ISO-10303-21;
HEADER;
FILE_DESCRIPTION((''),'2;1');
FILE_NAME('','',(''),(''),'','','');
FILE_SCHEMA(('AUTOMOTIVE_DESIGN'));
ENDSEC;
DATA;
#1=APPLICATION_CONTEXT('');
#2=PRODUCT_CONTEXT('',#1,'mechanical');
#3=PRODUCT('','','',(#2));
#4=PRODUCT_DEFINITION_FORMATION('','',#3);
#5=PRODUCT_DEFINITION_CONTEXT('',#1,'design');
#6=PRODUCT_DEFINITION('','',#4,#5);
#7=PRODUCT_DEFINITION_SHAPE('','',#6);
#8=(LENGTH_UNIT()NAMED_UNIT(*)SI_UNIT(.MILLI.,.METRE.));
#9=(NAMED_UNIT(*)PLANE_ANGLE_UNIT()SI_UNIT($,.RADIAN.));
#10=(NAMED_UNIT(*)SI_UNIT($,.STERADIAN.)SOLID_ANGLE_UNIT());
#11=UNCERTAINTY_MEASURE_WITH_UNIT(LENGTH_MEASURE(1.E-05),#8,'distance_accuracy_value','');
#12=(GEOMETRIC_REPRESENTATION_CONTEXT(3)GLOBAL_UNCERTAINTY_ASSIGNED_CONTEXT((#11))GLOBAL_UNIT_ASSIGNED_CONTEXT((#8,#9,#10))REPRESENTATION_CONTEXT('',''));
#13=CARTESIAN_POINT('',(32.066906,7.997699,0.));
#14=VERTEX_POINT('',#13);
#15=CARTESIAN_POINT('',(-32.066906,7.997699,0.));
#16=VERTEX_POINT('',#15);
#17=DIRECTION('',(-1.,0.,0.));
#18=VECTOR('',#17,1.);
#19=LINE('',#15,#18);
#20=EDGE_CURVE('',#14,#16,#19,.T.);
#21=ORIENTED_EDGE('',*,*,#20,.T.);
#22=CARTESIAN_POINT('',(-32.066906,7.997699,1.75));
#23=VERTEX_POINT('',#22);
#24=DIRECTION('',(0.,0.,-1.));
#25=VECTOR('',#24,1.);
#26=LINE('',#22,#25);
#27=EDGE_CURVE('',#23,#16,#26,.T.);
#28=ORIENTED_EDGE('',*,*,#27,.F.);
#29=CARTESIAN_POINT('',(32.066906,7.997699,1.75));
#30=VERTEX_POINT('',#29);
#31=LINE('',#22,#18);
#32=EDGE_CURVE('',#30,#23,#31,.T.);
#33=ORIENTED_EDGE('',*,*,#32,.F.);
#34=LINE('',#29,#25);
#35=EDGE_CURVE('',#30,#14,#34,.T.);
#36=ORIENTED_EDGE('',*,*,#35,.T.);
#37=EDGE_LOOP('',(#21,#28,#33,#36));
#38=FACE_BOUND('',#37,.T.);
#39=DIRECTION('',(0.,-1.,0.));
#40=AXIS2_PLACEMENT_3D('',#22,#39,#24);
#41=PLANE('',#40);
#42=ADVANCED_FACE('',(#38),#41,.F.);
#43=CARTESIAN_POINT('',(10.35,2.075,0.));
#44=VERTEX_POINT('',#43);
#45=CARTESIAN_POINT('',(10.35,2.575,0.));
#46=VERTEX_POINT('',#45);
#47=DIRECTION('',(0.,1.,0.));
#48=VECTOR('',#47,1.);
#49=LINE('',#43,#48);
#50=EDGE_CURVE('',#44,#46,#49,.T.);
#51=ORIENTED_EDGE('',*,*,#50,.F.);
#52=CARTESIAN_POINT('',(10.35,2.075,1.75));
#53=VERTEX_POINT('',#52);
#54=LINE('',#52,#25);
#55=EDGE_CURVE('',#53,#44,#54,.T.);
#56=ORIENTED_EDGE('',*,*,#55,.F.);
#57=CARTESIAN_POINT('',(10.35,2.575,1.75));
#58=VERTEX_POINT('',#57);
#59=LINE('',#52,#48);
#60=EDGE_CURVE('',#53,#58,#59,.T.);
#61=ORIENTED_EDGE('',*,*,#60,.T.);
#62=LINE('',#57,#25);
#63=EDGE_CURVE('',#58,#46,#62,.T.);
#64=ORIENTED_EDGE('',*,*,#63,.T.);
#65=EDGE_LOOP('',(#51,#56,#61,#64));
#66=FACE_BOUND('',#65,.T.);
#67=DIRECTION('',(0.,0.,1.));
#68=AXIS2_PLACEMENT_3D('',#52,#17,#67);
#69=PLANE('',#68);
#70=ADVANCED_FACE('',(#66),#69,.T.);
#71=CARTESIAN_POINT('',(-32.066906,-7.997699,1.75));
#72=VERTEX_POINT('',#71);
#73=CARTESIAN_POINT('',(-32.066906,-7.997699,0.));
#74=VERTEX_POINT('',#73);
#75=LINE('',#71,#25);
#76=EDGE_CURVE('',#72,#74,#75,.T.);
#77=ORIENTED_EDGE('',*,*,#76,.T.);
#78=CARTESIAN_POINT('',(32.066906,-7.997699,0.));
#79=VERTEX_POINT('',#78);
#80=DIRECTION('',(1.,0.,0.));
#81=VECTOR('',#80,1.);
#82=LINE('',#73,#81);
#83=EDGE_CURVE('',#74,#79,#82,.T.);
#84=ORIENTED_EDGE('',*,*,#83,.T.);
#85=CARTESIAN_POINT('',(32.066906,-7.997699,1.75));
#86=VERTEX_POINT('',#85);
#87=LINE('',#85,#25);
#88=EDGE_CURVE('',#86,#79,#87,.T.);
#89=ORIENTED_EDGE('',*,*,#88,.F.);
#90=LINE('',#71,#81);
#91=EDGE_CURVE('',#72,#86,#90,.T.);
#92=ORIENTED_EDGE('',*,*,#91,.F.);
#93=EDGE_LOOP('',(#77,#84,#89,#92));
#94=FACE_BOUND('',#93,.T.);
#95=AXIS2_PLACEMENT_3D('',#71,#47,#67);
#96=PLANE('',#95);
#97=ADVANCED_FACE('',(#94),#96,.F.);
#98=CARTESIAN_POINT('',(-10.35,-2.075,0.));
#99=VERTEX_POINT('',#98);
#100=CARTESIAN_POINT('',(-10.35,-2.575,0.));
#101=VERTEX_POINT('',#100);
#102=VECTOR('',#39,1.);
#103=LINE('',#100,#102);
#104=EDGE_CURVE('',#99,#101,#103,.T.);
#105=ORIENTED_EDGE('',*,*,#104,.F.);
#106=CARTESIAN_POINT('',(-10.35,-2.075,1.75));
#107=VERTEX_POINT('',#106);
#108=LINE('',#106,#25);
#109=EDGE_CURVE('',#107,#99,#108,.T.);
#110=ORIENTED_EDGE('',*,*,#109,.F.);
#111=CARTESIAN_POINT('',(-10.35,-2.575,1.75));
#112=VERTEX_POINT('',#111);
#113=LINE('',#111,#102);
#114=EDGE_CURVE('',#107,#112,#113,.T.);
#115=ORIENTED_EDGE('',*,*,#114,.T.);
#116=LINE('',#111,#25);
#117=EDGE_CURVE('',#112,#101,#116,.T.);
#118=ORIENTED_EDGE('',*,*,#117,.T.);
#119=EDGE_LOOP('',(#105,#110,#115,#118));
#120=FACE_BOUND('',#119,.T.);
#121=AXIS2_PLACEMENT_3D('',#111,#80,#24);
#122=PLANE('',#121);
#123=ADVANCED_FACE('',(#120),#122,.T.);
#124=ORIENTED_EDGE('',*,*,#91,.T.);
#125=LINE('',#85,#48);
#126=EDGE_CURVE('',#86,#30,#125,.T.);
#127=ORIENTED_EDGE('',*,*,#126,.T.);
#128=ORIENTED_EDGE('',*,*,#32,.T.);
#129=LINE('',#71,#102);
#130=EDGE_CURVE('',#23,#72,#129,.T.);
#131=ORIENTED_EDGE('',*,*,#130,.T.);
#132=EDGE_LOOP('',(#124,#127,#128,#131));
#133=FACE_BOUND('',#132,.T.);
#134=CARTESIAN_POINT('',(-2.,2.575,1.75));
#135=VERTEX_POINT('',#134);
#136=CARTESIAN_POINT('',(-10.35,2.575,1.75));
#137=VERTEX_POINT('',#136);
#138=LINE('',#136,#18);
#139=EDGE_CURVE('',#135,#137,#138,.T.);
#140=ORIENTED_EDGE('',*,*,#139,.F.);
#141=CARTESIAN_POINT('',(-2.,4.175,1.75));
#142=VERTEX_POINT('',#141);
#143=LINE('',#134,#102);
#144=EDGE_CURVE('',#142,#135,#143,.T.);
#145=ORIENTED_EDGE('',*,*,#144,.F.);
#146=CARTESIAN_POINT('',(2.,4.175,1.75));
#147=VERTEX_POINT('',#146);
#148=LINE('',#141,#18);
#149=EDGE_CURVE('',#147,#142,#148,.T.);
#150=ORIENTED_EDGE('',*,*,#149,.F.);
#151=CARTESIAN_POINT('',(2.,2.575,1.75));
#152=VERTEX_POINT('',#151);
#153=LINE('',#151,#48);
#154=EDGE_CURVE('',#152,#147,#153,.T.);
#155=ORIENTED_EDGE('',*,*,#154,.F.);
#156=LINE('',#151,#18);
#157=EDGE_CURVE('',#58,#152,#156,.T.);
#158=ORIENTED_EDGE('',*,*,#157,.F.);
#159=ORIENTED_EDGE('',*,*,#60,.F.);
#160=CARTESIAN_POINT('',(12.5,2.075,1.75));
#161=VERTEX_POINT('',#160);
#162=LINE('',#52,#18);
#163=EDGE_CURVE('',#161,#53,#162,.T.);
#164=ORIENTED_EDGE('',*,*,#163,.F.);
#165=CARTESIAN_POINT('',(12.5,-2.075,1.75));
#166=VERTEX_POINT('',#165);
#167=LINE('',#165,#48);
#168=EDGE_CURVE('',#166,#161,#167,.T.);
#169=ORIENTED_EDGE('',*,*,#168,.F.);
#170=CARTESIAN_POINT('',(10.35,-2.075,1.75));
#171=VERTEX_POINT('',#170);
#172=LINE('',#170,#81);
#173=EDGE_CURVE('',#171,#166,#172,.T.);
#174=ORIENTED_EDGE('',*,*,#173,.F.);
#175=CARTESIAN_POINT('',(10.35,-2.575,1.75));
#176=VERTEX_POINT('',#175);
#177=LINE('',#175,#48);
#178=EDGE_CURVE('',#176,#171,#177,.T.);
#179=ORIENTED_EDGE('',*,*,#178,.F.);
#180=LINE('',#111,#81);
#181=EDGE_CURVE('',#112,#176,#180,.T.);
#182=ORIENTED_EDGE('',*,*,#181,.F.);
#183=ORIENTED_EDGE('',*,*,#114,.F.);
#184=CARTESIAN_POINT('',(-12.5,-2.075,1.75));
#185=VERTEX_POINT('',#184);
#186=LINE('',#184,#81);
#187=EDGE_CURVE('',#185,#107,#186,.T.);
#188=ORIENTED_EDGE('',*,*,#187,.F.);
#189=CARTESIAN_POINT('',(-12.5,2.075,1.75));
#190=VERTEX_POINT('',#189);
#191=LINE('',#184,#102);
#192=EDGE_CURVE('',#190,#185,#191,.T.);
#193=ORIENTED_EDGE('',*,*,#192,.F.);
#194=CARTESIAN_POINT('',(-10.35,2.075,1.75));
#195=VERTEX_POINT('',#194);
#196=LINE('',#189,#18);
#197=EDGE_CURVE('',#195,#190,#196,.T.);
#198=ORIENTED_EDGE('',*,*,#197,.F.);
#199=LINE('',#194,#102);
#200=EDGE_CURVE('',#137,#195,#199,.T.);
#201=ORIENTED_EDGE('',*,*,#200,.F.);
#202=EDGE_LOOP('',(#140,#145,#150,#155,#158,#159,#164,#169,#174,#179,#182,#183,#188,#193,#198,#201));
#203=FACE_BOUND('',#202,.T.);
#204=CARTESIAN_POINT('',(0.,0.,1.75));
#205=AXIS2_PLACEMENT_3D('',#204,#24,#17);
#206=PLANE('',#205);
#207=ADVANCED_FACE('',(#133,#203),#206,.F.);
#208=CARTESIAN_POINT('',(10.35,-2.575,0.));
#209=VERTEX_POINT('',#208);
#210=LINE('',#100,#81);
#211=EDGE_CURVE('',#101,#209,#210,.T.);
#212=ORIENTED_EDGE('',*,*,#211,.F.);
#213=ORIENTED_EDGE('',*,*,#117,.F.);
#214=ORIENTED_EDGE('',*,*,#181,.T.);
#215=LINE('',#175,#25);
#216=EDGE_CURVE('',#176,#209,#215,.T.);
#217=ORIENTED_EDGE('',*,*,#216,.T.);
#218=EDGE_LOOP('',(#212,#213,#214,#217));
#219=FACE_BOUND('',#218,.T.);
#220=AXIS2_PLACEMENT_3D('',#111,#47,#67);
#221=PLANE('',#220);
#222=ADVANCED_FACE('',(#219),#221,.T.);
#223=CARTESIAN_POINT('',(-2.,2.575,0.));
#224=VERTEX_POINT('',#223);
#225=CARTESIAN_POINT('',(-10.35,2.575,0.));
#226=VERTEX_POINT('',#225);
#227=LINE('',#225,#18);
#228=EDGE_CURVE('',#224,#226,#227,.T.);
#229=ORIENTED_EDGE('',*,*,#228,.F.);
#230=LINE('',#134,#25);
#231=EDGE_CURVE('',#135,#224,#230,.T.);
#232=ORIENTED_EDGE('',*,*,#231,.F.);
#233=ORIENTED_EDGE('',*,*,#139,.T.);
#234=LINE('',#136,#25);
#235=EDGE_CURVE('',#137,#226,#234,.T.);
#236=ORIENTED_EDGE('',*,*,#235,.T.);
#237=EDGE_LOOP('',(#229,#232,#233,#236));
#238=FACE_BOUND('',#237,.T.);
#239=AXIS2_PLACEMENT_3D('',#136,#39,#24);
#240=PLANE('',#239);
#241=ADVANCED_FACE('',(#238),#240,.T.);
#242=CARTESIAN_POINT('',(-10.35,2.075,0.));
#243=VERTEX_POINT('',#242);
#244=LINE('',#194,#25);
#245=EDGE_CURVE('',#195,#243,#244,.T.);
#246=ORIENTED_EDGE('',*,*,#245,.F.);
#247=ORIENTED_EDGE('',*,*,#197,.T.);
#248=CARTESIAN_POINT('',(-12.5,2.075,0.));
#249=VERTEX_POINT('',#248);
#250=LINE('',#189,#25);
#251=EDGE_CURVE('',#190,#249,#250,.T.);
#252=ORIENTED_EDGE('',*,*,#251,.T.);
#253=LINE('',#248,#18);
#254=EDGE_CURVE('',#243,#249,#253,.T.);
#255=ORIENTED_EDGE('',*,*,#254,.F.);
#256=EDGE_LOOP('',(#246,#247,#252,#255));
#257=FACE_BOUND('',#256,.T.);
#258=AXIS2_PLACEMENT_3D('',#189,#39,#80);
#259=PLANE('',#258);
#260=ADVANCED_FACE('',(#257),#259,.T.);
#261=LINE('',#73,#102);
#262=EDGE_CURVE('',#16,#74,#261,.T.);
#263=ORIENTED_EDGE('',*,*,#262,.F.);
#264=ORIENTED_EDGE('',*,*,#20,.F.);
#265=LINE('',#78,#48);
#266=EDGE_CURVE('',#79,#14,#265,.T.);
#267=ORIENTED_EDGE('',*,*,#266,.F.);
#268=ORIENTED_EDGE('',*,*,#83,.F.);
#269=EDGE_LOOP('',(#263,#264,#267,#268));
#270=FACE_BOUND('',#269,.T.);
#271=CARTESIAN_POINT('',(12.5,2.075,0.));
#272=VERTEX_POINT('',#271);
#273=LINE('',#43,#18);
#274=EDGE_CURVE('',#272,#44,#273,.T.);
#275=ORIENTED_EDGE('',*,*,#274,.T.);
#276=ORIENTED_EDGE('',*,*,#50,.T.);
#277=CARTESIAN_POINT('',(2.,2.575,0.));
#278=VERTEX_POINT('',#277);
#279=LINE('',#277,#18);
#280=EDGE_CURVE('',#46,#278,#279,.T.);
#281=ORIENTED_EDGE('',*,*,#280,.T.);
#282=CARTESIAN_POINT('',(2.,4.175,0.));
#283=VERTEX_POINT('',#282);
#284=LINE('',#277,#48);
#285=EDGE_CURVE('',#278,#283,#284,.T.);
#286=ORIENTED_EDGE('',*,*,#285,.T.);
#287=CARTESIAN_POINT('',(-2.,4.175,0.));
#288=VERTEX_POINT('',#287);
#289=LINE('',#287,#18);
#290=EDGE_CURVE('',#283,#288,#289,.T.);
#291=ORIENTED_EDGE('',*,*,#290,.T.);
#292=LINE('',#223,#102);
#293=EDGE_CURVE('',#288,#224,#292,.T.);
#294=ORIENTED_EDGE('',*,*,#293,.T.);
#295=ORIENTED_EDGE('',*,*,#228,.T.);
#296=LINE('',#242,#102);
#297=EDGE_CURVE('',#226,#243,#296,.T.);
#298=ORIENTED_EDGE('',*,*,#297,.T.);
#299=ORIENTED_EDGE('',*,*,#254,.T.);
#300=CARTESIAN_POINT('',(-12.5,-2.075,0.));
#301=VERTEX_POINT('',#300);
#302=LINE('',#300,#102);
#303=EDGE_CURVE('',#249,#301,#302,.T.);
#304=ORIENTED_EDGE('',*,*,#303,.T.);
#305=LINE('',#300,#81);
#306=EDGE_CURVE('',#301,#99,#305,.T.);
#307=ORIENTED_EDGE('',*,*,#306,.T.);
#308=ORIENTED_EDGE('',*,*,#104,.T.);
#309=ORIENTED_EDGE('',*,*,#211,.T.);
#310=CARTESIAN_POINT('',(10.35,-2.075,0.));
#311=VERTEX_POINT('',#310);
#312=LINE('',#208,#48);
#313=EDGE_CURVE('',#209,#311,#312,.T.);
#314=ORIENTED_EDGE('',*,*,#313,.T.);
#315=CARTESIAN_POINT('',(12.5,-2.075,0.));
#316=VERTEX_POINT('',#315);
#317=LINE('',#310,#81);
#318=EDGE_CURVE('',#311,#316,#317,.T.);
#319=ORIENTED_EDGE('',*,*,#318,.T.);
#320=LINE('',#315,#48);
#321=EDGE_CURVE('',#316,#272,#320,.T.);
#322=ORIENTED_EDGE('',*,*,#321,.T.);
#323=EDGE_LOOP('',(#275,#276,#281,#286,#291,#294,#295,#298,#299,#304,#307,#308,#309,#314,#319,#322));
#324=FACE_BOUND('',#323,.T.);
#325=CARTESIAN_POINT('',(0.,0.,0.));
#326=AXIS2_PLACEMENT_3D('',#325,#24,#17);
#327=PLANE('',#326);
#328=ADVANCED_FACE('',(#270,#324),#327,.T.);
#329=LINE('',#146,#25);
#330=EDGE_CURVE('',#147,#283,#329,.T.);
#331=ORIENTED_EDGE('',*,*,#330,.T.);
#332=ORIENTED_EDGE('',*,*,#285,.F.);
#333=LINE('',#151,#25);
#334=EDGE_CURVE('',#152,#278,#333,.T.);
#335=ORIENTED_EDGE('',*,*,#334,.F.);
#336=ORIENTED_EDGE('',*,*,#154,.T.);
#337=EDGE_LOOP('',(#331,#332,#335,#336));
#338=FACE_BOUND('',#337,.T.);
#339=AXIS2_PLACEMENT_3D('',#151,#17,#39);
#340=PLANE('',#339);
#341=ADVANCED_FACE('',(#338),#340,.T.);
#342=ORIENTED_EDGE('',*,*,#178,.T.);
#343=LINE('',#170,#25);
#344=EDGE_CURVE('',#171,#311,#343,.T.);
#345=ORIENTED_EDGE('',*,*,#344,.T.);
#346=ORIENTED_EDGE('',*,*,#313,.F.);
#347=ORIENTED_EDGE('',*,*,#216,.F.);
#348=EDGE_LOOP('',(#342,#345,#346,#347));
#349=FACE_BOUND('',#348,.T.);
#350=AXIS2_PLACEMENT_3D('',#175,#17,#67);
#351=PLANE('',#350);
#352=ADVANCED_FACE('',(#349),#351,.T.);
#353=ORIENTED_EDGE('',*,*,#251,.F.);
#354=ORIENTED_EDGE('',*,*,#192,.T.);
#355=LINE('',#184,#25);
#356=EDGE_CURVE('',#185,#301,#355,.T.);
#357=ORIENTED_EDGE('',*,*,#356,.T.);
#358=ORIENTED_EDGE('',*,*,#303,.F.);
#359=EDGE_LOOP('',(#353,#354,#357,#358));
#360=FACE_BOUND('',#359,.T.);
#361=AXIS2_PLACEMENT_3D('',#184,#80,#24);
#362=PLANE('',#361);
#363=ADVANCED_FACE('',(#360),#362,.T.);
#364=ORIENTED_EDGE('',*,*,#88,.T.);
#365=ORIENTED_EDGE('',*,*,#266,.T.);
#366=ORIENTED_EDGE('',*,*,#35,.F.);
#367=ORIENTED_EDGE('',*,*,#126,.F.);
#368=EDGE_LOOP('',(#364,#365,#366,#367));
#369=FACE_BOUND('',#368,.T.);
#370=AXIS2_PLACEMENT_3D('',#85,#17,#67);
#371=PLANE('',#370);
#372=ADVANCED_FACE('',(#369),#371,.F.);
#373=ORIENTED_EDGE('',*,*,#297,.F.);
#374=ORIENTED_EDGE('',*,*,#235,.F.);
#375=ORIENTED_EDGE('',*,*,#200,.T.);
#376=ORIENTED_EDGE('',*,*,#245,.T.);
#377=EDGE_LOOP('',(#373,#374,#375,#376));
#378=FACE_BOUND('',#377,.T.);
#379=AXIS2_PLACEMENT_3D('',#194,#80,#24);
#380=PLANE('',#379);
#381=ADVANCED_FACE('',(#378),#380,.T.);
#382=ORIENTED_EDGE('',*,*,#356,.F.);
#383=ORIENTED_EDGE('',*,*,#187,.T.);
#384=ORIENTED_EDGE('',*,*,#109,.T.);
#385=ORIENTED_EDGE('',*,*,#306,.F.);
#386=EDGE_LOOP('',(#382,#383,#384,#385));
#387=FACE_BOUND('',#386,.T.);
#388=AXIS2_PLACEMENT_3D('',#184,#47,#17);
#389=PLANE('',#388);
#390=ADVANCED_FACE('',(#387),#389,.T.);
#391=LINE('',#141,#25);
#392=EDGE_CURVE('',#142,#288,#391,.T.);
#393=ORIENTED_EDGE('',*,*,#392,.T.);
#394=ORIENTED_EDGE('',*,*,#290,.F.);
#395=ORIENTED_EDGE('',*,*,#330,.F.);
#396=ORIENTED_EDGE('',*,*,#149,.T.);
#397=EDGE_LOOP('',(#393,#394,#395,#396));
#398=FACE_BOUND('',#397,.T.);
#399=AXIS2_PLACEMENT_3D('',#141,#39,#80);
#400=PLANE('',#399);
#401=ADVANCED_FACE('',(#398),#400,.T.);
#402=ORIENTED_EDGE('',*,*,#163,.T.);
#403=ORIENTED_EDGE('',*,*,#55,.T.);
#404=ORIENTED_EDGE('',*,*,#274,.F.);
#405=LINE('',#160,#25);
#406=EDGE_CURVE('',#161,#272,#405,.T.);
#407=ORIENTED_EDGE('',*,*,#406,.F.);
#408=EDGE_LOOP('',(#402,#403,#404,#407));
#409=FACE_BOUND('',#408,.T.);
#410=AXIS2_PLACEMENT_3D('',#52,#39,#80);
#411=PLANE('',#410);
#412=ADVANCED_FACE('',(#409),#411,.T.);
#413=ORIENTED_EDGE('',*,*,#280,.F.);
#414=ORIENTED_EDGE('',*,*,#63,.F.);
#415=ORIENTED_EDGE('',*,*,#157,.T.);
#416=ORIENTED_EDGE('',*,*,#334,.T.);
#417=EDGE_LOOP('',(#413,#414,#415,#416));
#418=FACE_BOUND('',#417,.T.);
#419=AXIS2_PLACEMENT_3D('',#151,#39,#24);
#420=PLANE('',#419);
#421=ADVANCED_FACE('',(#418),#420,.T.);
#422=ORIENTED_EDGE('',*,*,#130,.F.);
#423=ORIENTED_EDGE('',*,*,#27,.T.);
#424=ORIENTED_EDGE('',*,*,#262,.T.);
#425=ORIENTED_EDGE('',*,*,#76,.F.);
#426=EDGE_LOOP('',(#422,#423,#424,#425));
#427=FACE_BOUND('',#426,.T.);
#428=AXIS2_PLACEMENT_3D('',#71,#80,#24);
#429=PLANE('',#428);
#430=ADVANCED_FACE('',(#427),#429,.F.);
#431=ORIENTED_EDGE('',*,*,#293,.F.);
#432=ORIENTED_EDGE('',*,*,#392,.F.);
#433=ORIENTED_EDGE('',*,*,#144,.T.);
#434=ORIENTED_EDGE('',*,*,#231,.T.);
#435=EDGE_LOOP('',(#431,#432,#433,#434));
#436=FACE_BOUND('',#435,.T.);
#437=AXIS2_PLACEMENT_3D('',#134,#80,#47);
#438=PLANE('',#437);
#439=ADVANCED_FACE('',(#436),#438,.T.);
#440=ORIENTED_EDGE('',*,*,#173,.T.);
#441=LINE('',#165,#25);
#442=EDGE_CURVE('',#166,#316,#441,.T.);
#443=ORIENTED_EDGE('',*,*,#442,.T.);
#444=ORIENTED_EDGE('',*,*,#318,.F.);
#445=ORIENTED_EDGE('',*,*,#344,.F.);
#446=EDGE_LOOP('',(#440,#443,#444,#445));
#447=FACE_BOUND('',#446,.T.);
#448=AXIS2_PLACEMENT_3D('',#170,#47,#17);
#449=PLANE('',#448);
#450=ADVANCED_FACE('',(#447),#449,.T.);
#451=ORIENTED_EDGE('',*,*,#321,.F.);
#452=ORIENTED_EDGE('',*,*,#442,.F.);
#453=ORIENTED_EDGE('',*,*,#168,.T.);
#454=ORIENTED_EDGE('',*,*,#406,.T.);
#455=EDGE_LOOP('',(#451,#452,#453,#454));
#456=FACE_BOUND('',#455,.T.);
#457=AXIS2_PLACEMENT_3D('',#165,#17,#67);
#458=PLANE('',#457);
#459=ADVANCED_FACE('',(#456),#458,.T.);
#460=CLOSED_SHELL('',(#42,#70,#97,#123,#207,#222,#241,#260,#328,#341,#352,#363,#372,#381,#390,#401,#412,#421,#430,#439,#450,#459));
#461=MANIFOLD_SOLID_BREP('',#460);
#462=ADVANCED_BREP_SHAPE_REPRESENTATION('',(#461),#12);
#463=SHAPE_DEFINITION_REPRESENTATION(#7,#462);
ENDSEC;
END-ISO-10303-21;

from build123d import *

# Parameters (mm, degrees)
SKETCH1_W           = 64.133812
SKETCH1_H           = 15.995398686
BOSS_EXTRUDE1_DEPTH = 1.75


with BuildPart() as part:
    # Sketch1 → Boss-Extrude1 (new body)
    with BuildSketch(Plane.XY):
        Rectangle(SKETCH1_W, SKETCH1_H)
        Polygon((-12.5, -2.075), (-10.35, -2.075), (-10.35, -2.575), (10.35, -2.575), (10.35, -2.075), (12.5, -2.075), (12.5, 2.075), (10.35, 2.075), (10.35, 2.575), (2, 2.575), (2, 4.175), (-2, 4.175), (-2, 2.575), (-10.35, 2.575), (-10.35, 2.075), (-12.5, 2.075), align=None, mode=Mode.SUBTRACT)
    extrude(amount=BOSS_EXTRUDE1_DEPTH)


solid = part.part
